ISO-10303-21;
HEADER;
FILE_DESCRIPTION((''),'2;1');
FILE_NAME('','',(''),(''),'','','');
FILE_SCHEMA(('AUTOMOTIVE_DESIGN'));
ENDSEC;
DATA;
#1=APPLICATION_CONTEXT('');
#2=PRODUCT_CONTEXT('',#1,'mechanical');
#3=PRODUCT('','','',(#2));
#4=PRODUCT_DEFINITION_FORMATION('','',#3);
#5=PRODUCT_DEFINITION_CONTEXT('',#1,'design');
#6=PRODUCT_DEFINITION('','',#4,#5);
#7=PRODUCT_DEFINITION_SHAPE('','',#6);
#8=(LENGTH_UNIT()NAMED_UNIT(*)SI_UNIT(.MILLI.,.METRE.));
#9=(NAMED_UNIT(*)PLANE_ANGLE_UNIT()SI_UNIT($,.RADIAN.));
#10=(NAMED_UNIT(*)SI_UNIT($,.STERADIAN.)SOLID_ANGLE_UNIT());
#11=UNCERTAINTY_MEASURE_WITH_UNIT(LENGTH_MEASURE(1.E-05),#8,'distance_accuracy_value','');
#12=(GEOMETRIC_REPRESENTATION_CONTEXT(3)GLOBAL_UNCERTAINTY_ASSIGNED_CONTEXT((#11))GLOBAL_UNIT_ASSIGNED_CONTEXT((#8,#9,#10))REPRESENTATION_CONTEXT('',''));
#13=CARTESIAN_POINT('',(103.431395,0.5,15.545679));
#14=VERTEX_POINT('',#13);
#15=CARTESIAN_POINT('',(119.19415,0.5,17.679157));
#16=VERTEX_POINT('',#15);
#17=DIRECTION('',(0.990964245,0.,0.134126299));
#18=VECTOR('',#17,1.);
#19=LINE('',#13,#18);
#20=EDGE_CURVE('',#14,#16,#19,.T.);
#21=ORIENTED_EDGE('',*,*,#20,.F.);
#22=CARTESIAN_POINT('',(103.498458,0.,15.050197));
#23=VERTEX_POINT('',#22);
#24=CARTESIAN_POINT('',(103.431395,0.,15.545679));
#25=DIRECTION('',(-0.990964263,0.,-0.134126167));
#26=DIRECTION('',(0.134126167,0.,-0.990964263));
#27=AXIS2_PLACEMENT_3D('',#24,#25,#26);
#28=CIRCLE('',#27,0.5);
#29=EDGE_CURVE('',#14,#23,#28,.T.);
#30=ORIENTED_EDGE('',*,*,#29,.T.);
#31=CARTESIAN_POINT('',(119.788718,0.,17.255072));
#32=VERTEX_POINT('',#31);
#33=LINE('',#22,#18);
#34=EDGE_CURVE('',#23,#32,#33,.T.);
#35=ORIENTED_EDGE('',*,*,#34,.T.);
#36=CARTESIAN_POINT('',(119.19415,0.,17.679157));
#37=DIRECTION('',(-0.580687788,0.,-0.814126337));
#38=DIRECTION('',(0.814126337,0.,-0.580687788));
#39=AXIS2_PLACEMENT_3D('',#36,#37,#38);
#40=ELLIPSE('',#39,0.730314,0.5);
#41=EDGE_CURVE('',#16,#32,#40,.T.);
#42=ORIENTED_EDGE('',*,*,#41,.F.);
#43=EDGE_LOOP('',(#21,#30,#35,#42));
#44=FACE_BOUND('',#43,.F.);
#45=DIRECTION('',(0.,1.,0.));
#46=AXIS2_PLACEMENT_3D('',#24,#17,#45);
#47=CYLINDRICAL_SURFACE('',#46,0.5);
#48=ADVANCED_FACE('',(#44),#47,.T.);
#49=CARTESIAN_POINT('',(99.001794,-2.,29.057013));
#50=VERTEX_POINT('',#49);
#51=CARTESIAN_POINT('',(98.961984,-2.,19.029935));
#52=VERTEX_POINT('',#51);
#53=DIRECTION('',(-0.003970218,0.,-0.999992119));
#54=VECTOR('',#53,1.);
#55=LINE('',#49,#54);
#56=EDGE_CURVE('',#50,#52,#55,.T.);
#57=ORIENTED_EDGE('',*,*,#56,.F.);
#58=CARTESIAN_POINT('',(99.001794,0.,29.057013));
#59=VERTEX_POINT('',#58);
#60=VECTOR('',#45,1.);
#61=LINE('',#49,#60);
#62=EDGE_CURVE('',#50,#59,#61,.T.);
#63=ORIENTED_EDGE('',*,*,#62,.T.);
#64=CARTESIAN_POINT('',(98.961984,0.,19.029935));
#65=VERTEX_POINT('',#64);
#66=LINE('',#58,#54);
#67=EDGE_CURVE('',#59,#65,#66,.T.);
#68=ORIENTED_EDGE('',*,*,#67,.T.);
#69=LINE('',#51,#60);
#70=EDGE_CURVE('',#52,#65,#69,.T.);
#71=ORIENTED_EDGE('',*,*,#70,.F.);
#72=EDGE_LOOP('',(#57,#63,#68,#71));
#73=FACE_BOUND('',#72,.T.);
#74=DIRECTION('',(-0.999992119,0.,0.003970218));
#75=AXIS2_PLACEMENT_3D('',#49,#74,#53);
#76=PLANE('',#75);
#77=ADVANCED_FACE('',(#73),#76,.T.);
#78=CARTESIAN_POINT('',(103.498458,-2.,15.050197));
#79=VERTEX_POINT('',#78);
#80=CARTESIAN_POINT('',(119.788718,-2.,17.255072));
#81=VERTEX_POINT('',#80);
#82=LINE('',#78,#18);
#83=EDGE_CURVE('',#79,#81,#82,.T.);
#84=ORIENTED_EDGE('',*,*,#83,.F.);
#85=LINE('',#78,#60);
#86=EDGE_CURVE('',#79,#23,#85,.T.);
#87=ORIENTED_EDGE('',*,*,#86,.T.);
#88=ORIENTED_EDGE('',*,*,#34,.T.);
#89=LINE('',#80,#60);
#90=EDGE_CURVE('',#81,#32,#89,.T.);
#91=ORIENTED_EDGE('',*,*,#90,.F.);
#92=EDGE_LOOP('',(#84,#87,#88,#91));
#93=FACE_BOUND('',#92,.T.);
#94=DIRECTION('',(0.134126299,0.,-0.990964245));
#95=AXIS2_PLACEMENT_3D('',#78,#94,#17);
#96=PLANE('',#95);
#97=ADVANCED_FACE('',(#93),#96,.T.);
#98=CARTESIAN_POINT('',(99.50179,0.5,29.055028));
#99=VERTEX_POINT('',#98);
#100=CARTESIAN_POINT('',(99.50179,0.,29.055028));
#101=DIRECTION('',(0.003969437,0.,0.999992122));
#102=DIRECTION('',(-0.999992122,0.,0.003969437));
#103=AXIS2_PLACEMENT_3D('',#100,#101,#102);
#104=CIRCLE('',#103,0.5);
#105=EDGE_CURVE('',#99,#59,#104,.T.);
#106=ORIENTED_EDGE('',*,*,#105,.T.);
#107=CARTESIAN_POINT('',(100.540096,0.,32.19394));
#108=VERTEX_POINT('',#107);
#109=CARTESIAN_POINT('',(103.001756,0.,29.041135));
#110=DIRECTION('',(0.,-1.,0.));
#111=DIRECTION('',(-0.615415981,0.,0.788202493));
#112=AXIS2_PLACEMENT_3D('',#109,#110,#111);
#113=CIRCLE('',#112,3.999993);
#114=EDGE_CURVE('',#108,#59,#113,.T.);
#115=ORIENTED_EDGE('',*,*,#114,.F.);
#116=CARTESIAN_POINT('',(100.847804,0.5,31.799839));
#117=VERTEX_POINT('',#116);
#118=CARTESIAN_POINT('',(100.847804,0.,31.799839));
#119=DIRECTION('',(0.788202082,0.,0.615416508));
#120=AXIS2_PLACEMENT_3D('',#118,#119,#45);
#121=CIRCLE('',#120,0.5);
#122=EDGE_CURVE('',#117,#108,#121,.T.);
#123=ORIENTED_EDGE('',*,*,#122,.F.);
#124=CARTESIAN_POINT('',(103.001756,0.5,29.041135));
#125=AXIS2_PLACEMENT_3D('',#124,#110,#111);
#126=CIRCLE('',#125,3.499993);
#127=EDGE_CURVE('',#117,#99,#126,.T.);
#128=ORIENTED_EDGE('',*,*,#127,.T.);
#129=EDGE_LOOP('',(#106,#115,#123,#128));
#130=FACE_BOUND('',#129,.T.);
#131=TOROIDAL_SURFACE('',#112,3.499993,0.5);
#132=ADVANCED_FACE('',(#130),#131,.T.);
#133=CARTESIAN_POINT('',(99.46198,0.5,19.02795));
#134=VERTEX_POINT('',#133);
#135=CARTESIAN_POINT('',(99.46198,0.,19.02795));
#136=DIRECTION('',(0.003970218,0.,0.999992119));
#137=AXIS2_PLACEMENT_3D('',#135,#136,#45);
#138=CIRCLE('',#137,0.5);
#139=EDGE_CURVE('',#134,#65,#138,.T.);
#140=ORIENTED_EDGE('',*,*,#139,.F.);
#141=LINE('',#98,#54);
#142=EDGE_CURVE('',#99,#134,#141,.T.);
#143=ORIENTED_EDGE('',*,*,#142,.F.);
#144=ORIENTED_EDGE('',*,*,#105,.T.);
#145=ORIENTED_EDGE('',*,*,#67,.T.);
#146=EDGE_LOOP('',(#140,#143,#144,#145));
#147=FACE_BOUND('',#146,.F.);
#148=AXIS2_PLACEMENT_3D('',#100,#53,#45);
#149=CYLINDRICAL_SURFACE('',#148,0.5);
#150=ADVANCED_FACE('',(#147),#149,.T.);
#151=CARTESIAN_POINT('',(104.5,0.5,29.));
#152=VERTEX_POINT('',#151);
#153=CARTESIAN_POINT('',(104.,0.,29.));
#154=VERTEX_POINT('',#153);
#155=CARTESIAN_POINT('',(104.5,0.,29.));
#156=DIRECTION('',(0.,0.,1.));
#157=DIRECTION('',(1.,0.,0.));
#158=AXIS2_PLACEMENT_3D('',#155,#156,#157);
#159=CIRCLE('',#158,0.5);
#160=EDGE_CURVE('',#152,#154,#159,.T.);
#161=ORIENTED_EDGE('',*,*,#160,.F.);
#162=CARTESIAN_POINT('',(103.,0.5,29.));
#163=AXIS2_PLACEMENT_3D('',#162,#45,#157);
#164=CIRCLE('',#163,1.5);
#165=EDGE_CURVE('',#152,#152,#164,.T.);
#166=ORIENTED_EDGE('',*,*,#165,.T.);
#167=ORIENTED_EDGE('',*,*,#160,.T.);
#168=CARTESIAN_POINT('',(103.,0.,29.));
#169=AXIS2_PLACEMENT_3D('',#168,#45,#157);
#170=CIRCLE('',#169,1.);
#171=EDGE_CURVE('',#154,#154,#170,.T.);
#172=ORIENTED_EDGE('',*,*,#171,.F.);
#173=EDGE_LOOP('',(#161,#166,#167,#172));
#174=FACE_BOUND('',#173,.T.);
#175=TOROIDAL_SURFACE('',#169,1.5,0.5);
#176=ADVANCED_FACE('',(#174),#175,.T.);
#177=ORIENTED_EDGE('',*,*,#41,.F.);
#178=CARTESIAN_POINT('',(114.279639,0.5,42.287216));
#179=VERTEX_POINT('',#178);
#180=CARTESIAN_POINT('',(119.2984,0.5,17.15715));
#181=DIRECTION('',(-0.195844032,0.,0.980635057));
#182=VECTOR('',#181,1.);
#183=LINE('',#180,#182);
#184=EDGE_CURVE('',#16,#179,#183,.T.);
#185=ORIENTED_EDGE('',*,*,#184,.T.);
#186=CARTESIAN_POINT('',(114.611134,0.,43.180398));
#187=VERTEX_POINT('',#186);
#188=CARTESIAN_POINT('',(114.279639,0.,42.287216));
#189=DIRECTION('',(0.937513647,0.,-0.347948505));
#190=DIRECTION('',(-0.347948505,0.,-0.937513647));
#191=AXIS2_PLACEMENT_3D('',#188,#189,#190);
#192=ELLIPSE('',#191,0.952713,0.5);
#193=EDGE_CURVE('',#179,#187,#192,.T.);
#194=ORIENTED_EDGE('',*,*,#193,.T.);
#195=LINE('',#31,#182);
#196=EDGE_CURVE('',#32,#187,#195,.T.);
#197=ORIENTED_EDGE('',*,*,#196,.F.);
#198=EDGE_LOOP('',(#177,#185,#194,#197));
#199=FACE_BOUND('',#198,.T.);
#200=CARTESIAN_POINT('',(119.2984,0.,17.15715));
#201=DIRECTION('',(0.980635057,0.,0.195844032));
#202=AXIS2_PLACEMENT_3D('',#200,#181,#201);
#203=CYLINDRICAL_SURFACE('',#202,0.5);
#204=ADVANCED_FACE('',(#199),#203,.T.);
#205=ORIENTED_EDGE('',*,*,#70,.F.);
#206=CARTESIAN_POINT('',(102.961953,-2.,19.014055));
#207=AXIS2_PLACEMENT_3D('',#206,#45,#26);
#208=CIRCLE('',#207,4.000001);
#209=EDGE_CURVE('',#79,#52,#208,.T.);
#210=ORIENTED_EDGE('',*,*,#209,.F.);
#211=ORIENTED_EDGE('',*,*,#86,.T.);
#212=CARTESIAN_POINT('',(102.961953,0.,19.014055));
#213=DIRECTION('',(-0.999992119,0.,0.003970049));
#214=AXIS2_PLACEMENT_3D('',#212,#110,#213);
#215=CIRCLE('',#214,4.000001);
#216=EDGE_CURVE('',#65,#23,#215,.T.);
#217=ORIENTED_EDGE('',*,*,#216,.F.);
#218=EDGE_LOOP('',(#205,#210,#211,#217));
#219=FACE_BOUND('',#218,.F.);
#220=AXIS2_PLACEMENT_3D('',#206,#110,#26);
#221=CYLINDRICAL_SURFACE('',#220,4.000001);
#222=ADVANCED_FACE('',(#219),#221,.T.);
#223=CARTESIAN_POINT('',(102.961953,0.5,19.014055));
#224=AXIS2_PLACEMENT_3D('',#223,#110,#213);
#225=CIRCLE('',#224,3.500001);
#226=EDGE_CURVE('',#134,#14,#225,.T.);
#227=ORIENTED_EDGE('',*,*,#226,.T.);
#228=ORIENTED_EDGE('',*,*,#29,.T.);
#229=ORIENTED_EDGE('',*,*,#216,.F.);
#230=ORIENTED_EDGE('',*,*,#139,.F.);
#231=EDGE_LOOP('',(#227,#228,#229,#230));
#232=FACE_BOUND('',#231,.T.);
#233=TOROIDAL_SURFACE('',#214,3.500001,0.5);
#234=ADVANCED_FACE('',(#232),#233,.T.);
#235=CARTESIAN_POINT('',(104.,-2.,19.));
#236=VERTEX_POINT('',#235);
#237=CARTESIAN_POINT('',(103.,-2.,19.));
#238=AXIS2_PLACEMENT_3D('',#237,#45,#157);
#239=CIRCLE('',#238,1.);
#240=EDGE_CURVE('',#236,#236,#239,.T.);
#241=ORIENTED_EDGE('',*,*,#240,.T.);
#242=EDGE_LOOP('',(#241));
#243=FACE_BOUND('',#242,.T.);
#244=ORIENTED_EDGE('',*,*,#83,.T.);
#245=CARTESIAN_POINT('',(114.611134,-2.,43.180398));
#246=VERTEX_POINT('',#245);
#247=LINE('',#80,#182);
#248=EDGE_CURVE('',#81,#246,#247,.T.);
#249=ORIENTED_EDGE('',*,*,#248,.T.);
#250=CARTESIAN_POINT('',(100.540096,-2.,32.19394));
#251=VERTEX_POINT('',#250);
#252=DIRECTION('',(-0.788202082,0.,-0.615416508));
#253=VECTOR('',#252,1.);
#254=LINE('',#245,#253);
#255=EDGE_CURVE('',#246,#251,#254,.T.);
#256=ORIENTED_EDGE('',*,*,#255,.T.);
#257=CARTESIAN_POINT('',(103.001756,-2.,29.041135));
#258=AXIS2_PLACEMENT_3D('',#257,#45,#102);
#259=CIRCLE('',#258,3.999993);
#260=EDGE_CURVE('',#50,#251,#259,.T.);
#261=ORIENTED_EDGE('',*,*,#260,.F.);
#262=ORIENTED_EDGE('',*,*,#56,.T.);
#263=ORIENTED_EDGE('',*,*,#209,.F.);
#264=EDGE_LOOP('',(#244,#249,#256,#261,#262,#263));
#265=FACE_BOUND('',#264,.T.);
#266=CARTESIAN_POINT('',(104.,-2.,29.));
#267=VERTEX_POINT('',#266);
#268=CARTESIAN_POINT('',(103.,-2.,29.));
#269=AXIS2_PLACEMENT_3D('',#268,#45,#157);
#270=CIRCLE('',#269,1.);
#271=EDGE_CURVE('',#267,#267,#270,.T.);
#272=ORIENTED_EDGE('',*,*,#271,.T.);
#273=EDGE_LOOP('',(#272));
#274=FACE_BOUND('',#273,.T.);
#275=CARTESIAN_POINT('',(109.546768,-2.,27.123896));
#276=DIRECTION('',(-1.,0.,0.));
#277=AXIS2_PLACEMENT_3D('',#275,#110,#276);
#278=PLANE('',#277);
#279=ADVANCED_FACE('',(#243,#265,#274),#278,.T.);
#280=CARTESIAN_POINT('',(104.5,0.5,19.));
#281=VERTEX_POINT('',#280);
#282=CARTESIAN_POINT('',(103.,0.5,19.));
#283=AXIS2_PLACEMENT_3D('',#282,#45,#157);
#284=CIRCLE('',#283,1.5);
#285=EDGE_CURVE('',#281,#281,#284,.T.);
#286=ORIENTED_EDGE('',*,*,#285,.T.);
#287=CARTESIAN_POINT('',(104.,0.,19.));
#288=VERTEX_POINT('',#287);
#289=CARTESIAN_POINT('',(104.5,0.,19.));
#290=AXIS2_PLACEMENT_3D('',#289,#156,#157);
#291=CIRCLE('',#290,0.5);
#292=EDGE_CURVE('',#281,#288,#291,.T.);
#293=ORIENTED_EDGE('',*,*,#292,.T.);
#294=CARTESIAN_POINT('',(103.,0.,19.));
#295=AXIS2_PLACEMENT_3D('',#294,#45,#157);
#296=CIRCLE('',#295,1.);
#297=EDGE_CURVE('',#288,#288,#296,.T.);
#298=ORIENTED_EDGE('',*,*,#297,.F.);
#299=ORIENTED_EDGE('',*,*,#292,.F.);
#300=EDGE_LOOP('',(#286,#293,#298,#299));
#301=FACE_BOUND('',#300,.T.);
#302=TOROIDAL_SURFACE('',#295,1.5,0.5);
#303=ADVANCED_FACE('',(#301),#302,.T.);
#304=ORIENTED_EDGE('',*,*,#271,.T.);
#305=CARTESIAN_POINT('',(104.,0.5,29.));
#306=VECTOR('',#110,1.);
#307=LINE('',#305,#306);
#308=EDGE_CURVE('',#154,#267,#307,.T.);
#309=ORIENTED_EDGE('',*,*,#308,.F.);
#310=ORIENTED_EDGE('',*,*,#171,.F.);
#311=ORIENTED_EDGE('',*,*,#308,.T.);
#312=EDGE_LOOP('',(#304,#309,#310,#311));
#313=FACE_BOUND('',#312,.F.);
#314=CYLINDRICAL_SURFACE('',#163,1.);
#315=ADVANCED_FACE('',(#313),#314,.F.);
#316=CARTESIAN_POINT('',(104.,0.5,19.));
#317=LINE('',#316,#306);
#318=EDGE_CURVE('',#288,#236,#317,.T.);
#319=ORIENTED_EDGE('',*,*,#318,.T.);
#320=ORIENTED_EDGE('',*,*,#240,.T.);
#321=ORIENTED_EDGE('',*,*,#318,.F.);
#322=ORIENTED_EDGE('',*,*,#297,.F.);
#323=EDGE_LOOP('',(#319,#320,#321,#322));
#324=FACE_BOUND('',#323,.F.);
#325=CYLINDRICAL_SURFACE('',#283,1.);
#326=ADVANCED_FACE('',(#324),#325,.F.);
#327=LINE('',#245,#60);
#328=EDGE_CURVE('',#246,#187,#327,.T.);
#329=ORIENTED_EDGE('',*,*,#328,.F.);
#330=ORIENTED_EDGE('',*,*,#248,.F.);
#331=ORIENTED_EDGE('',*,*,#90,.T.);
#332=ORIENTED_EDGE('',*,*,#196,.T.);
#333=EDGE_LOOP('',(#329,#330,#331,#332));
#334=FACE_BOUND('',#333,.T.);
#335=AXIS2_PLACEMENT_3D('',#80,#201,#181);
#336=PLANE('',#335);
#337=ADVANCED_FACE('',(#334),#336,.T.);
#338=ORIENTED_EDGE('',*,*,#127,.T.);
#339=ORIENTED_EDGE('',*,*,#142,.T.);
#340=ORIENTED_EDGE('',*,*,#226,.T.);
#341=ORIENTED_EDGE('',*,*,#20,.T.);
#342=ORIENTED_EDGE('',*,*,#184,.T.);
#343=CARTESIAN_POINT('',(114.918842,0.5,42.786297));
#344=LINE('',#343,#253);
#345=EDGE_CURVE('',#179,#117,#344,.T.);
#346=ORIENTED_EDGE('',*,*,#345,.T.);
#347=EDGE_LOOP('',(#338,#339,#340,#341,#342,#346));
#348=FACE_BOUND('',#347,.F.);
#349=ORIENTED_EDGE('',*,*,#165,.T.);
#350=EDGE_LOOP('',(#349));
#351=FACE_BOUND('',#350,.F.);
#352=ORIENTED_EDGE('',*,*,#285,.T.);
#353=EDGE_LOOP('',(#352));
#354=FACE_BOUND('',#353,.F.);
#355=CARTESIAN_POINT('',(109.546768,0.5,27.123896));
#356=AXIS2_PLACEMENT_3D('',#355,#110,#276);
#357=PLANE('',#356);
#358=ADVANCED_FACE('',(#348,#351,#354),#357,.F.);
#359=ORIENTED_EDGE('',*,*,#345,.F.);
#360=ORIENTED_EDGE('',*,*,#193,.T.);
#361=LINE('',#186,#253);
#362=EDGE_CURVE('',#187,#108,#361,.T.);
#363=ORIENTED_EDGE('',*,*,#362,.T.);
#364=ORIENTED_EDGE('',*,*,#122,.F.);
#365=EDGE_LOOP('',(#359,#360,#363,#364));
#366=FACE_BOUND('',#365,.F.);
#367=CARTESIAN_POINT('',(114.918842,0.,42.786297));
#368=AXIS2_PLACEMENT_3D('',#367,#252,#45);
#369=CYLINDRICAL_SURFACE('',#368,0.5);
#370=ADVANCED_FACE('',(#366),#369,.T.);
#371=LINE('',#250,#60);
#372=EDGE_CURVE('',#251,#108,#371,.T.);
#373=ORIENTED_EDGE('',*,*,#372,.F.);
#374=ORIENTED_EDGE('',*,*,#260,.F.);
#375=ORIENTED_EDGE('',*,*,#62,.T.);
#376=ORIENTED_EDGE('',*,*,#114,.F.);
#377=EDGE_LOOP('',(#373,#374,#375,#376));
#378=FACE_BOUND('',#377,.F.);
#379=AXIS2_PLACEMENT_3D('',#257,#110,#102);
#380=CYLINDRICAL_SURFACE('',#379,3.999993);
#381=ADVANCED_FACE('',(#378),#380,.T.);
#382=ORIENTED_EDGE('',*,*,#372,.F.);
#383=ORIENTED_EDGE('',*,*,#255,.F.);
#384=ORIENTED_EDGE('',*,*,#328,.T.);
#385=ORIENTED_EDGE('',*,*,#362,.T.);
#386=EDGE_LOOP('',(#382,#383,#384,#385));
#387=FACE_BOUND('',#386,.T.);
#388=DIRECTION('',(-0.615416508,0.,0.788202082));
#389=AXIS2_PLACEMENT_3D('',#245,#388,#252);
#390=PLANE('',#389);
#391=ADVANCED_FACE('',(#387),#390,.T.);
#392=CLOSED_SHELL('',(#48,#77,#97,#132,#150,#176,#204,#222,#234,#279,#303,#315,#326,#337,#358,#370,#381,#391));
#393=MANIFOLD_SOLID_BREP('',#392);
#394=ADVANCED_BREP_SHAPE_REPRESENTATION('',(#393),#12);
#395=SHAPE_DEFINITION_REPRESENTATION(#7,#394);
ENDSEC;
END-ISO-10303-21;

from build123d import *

# Parameters (mm, degrees)
PAD005_DEPTH    = 2.5
SKETCH012_R     = 1
POCKET003_DEPTH = 3
FILLET001_R     = 0.5


with BuildPart() as part:
    # Sketch008 → Pad005 (new body)
    with BuildSketch(Plane(origin=(43, -2, 9), x_dir=(1, 0, 0), z_dir=(0, 1, 0))):
        with BuildLine():
            Line((71.611134, -34.180398), (57.540096, -23.19394))
            ThreePointArc((56.001794, -20.057013), (56.410347, -21.802308), (57.540096, -23.19394))
            Line((56.001794, -20.057013), (55.961984, -10.029935))
            ThreePointArc((60.498458, -6.050197), (57.324061, -7.007141), (55.961984, -10.029935))
            Line((60.498458, -6.050197), (76.788718, -8.255072))
            Line((76.788718, -8.255072), (71.611134, -34.180398))
        make_face()
    extrude(amount=PAD005_DEPTH)

    # Sketch012 → Pocket003 (cut)
    with BuildSketch(Plane(origin=(43, 0.5, 9), x_dir=(1, 0, 0), z_dir=(0, 1, 0))):
        with Locations((60, -20)):
            Circle(SKETCH012_R)
        with Locations((60, -10)):
            Circle(SKETCH012_R)
    extrude(amount=-POCKET003_DEPTH, mode=Mode.SUBTRACT)

    # Fillet001
    fillet001_edges = [part.edges().sort_by_distance(p)[0] for p in [
        (111.643588, 0.5, 16.152635),
        (100.324061, 0.5, 16.007141),
        (117.199926, 0.5, 30.217735),
        (98.981889, 0.5, 24.043474),
        (107.575615, 0.5, 37.687169),
        (99.410347, 0.5, 30.802308),
        (102, 0.5, 29),
        (102, 0.5, 19),
    ]]
    fillet(fillet001_edges, radius=FILLET001_R)


solid = part.part
